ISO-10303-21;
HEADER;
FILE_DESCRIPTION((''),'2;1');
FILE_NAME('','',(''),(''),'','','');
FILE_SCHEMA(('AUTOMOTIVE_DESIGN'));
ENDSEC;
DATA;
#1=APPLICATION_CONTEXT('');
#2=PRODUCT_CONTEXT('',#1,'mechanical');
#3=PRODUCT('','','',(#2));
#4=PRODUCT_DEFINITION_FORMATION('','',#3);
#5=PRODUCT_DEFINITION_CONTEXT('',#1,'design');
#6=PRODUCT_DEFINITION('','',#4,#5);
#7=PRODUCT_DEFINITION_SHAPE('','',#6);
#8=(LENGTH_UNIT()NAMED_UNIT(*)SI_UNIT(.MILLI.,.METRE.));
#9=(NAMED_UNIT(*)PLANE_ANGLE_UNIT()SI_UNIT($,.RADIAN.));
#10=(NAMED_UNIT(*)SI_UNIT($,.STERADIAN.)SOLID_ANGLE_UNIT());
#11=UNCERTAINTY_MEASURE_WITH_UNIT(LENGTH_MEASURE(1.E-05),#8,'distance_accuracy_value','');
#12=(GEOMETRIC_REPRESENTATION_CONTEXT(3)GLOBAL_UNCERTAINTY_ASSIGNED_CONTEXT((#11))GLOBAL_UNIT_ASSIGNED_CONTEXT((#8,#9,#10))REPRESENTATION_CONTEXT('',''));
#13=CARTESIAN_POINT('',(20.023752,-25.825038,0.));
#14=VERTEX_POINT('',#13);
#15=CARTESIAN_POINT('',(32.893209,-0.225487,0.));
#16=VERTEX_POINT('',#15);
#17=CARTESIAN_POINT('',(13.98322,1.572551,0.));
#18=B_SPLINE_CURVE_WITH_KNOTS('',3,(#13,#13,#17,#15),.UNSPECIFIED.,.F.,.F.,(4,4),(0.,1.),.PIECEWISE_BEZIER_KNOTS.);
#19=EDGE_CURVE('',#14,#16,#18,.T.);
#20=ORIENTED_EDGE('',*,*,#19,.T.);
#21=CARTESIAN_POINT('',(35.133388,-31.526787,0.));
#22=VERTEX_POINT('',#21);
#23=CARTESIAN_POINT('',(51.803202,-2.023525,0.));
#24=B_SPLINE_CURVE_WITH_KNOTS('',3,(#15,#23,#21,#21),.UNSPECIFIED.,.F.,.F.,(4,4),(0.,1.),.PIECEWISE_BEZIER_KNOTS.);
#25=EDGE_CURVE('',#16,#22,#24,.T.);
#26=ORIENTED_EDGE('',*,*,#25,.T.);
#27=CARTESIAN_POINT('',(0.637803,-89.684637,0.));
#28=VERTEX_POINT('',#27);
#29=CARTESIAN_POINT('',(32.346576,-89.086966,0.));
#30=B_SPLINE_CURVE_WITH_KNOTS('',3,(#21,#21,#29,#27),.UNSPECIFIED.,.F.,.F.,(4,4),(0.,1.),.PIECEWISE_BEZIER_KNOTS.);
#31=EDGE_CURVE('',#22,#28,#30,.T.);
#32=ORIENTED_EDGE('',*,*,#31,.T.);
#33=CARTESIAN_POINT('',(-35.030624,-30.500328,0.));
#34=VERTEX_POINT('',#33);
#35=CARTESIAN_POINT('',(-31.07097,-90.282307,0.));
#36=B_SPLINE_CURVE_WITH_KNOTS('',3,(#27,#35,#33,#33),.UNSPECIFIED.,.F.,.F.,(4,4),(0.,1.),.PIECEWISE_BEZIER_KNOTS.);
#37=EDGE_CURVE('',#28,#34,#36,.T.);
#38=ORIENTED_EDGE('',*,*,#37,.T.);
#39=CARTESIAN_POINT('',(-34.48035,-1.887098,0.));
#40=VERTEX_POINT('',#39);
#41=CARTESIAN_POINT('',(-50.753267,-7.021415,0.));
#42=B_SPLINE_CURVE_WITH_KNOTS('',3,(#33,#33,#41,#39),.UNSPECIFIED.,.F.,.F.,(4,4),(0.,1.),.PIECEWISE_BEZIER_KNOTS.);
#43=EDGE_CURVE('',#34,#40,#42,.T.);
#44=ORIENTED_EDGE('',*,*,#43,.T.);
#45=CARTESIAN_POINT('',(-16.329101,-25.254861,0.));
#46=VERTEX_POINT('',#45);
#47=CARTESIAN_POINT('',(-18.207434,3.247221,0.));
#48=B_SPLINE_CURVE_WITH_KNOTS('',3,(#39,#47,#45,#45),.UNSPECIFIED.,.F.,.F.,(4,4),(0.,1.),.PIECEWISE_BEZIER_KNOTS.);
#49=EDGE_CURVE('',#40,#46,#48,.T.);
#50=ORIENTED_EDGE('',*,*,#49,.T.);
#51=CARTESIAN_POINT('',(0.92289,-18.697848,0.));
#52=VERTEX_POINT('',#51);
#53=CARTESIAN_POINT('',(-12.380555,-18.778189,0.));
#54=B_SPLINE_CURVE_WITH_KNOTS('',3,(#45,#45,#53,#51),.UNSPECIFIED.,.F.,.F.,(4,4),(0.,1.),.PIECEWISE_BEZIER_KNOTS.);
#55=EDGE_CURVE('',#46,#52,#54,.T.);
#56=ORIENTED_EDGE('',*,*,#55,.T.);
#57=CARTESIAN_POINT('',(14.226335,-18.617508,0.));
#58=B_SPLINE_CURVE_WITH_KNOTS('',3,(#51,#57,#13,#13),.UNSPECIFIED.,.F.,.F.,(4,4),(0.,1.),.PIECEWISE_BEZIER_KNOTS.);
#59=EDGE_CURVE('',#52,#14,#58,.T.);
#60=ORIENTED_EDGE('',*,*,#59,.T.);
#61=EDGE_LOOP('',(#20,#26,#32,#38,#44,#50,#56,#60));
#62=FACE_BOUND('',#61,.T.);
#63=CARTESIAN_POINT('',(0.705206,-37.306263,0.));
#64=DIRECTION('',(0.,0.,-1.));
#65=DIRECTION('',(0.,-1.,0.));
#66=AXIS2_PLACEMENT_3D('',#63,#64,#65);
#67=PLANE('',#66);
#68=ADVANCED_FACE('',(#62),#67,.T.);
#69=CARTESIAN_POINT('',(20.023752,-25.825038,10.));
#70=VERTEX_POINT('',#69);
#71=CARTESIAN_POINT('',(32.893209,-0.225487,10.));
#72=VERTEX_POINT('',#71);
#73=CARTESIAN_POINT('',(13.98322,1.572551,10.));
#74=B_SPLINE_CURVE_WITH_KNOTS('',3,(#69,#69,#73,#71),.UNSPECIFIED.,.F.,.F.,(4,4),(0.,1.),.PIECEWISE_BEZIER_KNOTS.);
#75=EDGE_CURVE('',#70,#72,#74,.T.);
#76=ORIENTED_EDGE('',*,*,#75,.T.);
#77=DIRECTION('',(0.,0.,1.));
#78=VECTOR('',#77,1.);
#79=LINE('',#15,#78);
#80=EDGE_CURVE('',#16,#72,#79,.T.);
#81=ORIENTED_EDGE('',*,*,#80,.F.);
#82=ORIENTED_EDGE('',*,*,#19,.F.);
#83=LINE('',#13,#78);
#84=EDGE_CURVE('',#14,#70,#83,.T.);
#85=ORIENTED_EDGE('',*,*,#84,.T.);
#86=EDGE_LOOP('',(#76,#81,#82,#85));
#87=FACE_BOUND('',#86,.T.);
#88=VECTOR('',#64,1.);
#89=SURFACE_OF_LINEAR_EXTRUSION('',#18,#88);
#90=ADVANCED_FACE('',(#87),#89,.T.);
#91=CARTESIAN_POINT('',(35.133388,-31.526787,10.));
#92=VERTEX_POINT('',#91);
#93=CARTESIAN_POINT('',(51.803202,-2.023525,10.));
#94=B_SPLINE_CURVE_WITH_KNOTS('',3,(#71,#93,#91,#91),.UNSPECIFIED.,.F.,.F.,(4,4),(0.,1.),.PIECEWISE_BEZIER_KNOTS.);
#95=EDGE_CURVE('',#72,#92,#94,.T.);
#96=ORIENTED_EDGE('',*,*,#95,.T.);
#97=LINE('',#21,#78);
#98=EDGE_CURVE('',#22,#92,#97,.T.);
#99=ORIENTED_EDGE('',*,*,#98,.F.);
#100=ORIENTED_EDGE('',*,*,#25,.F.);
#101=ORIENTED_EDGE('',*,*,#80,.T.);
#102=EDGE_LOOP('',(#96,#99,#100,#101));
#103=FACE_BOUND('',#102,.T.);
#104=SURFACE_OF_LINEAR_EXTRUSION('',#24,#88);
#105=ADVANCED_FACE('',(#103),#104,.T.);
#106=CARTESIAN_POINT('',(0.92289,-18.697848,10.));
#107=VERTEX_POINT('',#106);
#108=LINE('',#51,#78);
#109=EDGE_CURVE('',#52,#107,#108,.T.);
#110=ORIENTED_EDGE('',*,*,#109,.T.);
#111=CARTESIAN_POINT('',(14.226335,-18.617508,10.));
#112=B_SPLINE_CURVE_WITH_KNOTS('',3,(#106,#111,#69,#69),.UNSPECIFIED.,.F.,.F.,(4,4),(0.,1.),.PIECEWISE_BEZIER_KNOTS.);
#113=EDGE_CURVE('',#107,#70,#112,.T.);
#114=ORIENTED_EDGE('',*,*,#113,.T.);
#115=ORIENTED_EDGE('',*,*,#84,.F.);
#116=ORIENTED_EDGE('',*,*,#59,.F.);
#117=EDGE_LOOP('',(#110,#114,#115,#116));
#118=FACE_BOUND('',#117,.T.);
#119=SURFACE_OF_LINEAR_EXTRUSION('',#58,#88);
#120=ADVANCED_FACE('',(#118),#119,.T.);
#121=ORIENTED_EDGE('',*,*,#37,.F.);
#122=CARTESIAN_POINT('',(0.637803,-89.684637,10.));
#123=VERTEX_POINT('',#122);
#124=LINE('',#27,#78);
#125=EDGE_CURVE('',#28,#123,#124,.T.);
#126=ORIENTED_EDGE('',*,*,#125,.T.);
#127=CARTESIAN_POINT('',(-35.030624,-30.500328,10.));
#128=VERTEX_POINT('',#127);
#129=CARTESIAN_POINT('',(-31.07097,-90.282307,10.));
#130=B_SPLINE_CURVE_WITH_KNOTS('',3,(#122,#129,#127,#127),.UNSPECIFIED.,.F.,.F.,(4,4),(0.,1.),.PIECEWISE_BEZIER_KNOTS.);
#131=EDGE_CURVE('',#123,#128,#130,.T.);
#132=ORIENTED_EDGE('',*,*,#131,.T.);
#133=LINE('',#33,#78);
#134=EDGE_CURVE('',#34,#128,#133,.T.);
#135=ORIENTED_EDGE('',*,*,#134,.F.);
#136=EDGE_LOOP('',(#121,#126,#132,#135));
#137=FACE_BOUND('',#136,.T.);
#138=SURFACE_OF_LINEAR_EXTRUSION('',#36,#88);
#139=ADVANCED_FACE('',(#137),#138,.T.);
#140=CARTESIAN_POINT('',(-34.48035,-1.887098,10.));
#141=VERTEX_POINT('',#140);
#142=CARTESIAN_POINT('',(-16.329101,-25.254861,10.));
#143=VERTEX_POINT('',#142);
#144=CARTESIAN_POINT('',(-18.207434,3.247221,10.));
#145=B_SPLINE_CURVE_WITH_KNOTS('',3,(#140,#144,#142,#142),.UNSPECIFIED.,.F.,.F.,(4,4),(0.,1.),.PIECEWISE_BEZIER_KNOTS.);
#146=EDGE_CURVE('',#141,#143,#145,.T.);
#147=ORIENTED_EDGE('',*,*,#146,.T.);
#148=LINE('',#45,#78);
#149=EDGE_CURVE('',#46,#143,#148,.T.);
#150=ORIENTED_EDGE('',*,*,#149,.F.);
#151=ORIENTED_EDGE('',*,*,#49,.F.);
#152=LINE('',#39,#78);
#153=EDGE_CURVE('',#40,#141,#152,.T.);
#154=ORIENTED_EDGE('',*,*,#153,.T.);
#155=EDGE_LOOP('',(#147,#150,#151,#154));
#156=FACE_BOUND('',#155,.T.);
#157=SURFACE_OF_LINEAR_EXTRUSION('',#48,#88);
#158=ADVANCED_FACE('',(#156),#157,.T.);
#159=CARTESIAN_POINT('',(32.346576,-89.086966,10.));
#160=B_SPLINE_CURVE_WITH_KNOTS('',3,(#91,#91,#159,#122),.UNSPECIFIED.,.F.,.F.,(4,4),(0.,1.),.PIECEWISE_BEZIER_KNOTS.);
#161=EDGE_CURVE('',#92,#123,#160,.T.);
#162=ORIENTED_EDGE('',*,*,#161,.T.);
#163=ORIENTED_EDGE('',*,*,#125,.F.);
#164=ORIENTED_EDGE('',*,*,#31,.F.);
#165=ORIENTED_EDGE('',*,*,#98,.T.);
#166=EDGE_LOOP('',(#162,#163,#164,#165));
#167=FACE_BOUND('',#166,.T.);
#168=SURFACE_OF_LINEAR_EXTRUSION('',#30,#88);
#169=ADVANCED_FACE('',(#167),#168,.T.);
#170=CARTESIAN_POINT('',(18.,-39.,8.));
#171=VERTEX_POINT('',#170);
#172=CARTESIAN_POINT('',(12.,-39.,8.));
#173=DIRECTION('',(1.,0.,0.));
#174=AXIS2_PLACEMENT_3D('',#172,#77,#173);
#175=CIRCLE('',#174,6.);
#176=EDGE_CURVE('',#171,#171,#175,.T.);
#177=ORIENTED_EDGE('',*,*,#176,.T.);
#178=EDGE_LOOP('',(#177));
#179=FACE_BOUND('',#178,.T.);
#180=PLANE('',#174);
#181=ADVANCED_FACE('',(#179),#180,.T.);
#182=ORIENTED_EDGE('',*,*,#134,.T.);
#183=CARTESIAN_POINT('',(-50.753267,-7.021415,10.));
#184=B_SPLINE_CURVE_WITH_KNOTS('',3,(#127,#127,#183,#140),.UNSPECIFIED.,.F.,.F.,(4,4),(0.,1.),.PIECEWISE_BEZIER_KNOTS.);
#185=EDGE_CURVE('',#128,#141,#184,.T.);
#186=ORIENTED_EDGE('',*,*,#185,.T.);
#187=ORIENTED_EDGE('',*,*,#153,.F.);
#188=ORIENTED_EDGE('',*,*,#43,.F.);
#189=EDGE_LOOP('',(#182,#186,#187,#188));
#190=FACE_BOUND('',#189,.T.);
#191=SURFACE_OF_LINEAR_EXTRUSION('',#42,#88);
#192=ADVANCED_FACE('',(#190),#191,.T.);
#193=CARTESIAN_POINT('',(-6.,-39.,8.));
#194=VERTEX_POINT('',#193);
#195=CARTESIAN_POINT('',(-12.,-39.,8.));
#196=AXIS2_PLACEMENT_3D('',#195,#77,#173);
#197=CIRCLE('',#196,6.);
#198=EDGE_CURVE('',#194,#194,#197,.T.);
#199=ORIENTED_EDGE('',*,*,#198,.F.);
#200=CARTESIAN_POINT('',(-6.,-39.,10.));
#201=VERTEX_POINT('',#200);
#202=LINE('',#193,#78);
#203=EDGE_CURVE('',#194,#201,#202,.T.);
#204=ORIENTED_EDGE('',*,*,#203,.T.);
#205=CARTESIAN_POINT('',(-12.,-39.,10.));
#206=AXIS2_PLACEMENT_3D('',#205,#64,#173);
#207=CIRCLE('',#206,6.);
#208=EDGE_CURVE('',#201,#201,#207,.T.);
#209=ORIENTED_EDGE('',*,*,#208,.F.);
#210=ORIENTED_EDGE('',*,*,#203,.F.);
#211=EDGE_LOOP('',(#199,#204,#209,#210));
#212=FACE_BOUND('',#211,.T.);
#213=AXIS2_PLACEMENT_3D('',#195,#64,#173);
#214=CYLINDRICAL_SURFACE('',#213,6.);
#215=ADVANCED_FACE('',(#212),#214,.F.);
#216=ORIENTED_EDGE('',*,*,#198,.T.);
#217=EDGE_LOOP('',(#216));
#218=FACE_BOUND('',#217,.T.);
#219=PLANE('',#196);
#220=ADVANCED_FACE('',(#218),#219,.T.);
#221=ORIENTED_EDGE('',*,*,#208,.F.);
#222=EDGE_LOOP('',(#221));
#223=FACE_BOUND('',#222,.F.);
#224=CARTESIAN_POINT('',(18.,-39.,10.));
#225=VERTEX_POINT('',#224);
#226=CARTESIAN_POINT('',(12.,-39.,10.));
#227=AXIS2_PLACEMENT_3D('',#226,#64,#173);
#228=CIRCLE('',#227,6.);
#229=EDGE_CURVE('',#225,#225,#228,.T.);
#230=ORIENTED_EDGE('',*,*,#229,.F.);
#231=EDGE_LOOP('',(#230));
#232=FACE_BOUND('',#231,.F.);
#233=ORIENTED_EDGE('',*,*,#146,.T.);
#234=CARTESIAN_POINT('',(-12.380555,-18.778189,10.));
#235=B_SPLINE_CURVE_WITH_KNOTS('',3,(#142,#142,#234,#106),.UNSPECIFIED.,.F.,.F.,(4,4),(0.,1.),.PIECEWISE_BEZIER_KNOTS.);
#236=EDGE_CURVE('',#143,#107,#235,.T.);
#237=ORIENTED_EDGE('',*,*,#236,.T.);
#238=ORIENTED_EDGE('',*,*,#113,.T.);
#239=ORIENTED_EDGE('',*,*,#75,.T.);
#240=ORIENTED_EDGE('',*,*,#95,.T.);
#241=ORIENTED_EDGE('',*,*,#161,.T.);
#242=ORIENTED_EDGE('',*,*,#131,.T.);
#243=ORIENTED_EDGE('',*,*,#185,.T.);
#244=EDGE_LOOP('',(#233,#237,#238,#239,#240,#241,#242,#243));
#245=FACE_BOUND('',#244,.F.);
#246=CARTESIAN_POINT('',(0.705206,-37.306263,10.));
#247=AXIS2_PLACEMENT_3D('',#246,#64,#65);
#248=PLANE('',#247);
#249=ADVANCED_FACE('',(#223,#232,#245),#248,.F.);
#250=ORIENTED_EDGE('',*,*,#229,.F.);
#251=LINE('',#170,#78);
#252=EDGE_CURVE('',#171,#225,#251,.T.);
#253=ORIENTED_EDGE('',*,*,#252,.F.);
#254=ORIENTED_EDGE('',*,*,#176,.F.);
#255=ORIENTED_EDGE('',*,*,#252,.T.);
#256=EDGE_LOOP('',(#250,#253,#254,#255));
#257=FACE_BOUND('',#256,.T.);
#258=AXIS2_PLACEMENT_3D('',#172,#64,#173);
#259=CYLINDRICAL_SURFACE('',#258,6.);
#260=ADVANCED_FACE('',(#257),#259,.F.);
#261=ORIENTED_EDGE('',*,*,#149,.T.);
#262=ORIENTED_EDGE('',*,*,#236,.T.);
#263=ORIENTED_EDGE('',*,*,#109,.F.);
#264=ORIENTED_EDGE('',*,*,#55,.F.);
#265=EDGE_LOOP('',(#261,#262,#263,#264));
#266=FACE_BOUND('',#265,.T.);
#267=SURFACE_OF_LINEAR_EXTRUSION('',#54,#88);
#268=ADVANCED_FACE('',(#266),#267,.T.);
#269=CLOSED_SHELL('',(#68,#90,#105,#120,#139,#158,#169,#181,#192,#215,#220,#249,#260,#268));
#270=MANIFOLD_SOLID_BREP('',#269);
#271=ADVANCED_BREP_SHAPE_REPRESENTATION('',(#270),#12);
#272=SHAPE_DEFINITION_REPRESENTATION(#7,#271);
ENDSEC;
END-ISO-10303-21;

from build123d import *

# Parameters (mm, degrees)
CYLINDER001_R     = 6
CYLINDER001_DEPTH = 10
CYLINDER_R        = 6
CYLINDER_DEPTH    = 10
EXTRUDE_DEPTH     = 10


with BuildPart() as cilindro001:
    # Cylinder001 → Cylinder001 (new body)
    with BuildSketch(Plane(origin=(54, -39, 8), x_dir=(1, 0, 0), z_dir=(0, 0, 1))):
        Circle(CYLINDER001_R)
    extrude(amount=CYLINDER001_DEPTH)


with BuildPart() as fusion:
    # Cylinder → Cylinder (new body)
    with BuildSketch(Plane(origin=(30, -39, 8), x_dir=(1, 0, 0), z_dir=(0, 0, 1))):
        Circle(CYLINDER_R)
    extrude(amount=CYLINDER_DEPTH)

    # Fusion: union Cilindro001
    add(cilindro001.part)


with BuildPart() as cut:
    # path4136 → Extrude (new body)
    with BuildSketch(Plane(origin=(42.376579, -44.354878, 0), x_dir=(0, -1, 0), z_dir=(0, 0, -1))):
        with BuildLine():
            add(Edge.make_bspline(
                [(-13.85455, 35.407203), (-13.85455, 35.407203), (-37.333463, 51.129846), (-42.46778, 34.856929)],
                knots=[0, 0, 0, 0, 1, 1, 1, 1], degree=3))
            add(Edge.make_bspline(
                [(-42.46778, 34.856929), (-47.602099, 18.584013), (-19.100017, 16.70568), (-19.100017, 16.70568)],
                knots=[0, 0, 0, 0, 1, 1, 1, 1], degree=3))
            add(Edge.make_bspline(
                [(-19.100017, 16.70568), (-19.100017, 16.70568), (-25.576689, 12.757134), (-25.65703, -0.546311)],
                knots=[0, 0, 0, 0, 1, 1, 1, 1], degree=3))
            add(Edge.make_bspline(
                [(-25.65703, -0.546311), (-25.73737, -13.849756), (-18.52984, -19.647173), (-18.52984, -19.647173)],
                knots=[0, 0, 0, 0, 1, 1, 1, 1], degree=3))
            add(Edge.make_bspline(
                [(-18.52984, -19.647173), (-18.52984, -19.647173), (-45.927429, -13.606641), (-44.129391, -32.51663)],
                knots=[0, 0, 0, 0, 1, 1, 1, 1], degree=3))
            add(Edge.make_bspline(
                [(-44.129391, -32.51663), (-42.331353, -51.426623), (-12.828091, -34.756809), (-12.828091, -34.756809)],
                knots=[0, 0, 0, 0, 1, 1, 1, 1], degree=3))
            add(Edge.make_bspline(
                [(-12.828091, -34.756809), (-12.828091, -34.756809), (44.732088, -31.969997), (45.329759, -0.261224)],
                knots=[0, 0, 0, 0, 1, 1, 1, 1], degree=3))
            add(Edge.make_bspline(
                [(45.329759, -0.261224), (45.927429, 31.447549), (-13.85455, 35.407203), (-13.85455, 35.407203)],
                knots=[0, 0, 0, 0, 1, 1, 1, 1], degree=3))
        make_face()
    extrude(amount=-EXTRUDE_DEPTH)

    # Cut: cut Fusion
    add(fusion.part, mode=Mode.SUBTRACT)


with BuildPart() as cut_1:
    # Cut placement: moved
    add(cut.part.moved(Location((-42, 0, 0))))


solid = cut_1.part
